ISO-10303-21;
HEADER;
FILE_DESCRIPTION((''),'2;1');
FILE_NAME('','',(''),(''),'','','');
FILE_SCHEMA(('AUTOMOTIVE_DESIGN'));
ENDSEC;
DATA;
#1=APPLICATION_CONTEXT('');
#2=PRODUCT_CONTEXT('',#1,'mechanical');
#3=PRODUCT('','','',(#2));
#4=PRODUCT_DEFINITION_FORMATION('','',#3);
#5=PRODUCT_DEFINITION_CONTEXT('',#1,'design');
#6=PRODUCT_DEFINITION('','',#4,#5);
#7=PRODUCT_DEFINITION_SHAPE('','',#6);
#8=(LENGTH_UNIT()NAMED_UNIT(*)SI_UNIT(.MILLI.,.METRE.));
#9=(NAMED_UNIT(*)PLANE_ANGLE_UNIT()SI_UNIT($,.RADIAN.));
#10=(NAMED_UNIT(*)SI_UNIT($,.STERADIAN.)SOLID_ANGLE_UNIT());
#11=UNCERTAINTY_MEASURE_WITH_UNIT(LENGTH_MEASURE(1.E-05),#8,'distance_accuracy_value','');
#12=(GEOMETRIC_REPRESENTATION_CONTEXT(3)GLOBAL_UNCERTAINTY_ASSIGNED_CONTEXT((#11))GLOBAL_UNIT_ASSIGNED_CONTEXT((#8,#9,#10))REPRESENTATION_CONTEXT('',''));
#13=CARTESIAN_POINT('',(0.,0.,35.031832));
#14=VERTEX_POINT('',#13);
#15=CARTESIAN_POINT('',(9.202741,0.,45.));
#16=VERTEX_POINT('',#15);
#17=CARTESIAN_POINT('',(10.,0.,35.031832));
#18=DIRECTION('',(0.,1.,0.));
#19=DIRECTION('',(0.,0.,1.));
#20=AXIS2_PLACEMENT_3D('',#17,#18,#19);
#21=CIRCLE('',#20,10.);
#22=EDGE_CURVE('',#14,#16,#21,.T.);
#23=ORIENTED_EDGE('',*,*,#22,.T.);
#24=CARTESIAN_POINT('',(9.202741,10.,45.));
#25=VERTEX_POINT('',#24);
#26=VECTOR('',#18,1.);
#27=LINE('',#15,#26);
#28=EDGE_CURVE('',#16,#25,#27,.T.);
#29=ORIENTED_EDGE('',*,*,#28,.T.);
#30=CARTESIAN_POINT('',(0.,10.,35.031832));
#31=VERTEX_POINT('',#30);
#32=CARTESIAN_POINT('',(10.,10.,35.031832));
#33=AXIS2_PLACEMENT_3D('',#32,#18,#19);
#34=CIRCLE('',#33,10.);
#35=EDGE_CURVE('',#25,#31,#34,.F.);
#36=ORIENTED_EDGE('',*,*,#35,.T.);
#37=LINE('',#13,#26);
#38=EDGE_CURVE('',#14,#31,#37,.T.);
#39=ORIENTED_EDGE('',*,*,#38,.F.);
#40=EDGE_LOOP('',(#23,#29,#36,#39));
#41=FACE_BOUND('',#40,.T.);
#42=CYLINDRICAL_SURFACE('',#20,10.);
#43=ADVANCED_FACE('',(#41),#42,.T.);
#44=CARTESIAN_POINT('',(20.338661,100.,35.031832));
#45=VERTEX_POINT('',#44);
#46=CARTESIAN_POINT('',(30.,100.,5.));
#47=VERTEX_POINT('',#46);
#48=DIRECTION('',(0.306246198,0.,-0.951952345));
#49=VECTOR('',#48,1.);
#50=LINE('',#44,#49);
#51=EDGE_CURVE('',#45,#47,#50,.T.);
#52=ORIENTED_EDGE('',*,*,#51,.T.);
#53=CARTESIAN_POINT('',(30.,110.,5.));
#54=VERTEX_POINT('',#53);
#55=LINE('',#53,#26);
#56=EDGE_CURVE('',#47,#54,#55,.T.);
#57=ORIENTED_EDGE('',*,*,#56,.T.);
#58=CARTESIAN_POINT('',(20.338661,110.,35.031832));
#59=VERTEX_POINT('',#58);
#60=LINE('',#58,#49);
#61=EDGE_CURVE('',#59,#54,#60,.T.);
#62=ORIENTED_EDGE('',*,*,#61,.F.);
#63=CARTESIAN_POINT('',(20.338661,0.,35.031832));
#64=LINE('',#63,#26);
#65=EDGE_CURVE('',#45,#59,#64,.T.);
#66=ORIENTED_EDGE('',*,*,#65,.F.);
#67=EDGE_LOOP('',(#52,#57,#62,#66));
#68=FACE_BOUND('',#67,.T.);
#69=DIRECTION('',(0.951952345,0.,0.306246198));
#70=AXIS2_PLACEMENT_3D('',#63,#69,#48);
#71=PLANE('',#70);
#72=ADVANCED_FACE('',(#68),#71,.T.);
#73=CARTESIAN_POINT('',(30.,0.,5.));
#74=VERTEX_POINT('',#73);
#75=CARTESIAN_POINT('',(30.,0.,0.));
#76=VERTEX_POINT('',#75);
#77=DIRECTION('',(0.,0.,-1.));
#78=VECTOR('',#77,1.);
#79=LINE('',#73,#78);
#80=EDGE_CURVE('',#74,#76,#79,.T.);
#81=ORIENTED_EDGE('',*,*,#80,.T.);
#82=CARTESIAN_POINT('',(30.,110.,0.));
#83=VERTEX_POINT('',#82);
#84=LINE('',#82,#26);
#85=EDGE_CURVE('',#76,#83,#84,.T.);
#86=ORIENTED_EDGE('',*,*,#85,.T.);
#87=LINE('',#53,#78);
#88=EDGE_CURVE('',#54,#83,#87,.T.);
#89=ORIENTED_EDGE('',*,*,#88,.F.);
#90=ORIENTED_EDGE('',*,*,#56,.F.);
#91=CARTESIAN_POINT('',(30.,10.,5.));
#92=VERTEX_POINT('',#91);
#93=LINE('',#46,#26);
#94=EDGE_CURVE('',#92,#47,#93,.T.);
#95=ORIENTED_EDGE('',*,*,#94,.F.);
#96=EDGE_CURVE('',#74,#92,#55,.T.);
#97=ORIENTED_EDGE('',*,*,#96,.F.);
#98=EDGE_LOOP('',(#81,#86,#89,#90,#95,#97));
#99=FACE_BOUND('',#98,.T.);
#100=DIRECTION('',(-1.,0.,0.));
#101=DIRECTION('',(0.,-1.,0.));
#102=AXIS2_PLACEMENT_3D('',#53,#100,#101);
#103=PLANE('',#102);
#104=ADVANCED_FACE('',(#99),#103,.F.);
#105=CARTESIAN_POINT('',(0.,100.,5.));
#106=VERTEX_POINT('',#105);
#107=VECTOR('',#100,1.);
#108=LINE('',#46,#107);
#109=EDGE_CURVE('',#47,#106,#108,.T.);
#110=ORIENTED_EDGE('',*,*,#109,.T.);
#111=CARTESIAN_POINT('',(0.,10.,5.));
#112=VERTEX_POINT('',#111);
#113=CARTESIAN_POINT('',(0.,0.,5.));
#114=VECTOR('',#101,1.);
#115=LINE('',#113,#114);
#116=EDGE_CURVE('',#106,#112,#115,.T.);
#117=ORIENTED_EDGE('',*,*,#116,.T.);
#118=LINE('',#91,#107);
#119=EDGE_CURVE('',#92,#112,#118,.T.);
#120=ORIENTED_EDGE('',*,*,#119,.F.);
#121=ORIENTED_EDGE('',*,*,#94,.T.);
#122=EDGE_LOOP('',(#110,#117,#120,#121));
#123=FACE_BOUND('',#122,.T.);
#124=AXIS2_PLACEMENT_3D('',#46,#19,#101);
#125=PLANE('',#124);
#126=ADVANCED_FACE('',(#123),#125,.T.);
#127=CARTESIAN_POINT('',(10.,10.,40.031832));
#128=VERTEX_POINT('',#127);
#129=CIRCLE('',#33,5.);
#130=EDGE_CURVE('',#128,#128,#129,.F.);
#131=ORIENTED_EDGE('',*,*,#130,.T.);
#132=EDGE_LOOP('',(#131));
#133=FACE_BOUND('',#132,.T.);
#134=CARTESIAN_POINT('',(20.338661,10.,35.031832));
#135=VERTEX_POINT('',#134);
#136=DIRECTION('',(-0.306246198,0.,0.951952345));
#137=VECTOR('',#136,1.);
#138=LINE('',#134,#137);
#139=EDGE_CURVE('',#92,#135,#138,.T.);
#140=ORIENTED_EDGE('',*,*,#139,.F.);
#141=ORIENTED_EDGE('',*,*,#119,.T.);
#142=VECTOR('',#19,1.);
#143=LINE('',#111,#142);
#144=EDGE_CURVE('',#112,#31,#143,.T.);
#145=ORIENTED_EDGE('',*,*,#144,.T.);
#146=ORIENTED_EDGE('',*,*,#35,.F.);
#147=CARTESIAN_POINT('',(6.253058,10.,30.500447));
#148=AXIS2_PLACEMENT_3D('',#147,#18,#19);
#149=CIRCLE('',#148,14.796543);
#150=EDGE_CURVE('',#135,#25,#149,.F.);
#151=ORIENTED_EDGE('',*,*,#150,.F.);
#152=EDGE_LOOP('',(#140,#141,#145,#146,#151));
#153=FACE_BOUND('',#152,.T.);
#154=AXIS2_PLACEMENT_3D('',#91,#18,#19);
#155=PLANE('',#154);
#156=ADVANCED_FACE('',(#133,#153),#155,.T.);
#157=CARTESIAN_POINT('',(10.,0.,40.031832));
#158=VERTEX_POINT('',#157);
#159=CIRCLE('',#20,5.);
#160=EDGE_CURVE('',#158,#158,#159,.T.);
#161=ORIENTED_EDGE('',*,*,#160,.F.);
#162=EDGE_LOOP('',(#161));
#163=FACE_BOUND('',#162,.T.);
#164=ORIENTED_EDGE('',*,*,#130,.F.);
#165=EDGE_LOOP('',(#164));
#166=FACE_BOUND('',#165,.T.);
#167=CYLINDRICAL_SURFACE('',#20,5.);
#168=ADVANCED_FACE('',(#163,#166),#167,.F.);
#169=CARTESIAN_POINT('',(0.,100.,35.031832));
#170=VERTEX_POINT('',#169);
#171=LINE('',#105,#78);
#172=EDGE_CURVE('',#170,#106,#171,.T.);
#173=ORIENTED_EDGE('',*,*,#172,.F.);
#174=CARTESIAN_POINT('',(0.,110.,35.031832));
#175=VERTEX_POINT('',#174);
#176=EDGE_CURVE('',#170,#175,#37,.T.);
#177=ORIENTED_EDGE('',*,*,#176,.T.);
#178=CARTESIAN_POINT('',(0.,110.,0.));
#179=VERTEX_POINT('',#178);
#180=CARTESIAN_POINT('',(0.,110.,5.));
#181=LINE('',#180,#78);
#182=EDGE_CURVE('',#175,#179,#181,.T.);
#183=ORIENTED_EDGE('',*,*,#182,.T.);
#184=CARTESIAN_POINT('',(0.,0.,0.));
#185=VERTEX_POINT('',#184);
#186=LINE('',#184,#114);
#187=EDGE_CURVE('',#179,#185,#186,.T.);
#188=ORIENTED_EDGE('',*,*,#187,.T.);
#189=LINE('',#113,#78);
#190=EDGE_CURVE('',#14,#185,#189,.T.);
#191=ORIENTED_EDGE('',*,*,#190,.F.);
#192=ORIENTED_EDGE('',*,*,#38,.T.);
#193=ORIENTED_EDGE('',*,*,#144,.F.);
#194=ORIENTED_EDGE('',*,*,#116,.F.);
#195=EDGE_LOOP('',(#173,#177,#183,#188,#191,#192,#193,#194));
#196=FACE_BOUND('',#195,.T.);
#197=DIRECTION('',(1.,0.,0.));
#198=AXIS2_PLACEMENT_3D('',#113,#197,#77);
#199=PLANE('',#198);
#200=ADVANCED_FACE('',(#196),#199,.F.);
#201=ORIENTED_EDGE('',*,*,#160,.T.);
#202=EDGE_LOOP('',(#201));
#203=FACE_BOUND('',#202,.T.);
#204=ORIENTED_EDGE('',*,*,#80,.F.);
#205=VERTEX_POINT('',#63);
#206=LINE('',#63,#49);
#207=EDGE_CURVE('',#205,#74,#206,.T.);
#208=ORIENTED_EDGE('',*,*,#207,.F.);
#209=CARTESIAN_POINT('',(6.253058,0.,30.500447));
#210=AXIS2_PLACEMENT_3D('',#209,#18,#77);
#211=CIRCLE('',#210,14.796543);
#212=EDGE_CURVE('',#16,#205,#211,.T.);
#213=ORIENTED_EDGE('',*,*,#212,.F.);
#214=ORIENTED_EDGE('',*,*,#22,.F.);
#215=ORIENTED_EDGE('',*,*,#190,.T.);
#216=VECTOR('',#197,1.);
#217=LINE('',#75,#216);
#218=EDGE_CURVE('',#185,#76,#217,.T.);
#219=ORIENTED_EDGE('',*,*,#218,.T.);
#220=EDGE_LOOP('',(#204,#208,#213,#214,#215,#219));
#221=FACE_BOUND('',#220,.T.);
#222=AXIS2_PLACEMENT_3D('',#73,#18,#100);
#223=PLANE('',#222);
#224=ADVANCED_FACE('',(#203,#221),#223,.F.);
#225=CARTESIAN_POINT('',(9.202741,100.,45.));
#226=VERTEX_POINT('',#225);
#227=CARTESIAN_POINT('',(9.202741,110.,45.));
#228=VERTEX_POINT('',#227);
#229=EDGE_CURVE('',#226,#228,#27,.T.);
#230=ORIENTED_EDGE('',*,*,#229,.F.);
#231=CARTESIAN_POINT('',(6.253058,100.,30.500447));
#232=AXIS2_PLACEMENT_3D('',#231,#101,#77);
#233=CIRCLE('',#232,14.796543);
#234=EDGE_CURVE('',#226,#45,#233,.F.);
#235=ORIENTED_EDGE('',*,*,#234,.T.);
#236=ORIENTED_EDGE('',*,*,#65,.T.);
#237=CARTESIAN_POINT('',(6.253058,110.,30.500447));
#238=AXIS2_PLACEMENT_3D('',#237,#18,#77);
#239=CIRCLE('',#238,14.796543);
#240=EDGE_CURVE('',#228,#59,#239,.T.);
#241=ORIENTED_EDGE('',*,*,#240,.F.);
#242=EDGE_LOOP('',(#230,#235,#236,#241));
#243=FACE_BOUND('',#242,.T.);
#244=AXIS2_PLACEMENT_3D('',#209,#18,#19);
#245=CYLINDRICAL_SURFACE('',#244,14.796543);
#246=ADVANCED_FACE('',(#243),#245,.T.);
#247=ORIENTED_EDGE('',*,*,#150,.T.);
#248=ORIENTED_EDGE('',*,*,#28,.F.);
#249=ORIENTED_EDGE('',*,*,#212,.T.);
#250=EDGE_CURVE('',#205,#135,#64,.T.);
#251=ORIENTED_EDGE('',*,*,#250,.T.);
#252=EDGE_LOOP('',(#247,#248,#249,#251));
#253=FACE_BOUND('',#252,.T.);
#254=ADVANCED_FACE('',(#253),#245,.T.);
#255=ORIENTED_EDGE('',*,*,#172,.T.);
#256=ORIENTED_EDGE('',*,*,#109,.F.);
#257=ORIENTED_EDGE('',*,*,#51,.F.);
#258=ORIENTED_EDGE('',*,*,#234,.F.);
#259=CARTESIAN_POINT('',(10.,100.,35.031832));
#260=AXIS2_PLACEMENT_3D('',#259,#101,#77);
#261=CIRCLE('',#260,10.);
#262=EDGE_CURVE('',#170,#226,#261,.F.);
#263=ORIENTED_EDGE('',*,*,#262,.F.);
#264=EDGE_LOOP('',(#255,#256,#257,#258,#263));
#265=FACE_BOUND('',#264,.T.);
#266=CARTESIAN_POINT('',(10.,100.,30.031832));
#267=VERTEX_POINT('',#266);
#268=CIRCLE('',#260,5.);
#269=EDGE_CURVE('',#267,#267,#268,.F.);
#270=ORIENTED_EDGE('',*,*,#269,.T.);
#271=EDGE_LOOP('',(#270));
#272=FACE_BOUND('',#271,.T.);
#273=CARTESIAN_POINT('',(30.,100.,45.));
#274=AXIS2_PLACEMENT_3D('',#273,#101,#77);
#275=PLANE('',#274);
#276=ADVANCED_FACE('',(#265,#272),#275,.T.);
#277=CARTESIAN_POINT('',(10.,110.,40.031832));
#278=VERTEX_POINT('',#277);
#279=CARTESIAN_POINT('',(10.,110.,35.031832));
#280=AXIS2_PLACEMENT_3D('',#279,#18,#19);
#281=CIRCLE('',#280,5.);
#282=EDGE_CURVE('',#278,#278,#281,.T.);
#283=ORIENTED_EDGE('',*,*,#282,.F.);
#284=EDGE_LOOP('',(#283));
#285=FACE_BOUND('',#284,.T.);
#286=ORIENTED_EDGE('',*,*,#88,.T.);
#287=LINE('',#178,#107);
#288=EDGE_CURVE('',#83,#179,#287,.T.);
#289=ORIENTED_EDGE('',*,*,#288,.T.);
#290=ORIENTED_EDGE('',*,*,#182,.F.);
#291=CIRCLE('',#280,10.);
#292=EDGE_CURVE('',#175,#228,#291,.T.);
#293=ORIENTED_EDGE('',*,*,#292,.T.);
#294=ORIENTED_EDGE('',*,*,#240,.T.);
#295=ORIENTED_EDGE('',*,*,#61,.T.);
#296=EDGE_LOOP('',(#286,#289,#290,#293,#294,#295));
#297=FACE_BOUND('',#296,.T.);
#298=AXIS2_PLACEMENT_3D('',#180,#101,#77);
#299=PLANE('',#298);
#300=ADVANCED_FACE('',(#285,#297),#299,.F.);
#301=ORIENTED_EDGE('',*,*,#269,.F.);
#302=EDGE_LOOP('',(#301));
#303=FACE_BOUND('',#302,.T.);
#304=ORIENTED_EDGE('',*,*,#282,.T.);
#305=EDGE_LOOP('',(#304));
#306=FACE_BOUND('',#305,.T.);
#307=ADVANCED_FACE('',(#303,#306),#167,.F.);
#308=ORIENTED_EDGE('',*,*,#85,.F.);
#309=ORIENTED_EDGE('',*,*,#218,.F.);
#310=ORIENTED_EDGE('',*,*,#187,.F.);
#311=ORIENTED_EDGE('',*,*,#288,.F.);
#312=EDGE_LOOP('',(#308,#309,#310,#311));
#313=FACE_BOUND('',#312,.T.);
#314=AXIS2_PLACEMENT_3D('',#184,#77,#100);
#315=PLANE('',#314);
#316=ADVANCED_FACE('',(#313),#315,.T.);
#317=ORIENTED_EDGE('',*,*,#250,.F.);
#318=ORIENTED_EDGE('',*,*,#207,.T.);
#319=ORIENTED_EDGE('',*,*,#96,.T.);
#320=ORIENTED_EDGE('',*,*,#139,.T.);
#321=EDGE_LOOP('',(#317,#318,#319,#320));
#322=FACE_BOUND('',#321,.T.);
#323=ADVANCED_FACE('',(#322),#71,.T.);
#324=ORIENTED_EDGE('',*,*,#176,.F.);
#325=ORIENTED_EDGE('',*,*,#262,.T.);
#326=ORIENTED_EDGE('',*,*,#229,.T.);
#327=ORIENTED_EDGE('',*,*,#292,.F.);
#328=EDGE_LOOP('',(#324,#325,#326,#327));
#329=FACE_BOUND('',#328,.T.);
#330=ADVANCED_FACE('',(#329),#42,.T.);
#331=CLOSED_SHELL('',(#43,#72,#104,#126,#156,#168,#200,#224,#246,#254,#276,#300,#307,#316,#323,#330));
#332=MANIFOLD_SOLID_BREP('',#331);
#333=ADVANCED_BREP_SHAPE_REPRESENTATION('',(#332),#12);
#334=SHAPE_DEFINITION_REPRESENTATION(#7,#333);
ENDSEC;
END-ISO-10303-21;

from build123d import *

# Parameters (mm, degrees)
SKETCH1_W               = 30
SKETCH1_H               = 110
BOSS_EXTRUDE1_DEPTH     = 5
SKETCH3_R               = 5
BOSS_EXTRUDE3_DEPTH     = 110
CUT_EXTRUDE3_DEPTH      = 123.576506721
CUT_EXTRUDE3_DEPTH_BACK = 123.576506721
SKETCH5_W               = 40
SKETCH5_H               = 90


with BuildPart() as part:
    # Sketch1 → Boss-Extrude1 (new body)
    with BuildSketch(Plane.XY):
        with Locations((15, 55)):
            Rectangle(SKETCH1_W, SKETCH1_H)
    extrude(amount=BOSS_EXTRUDE1_DEPTH)

    # Sketch3 → Boss-Extrude3 (add, through all)
    with BuildSketch(Plane(origin=(0, 110, 0), x_dir=(1, 0, 0), z_dir=(0, 1, 0))):
        with BuildLine():
            Line((0, -5), (0, -35.031831765))
            ThreePointArc((0, -35.031831765), (2.65246331, -41.815171989), (9.202740917, -45))
            ThreePointArc((9.202740917, -45), (16.121762832, -41.525252064), (20.338661017, -35.031831765))
            Line((20.338661017, -35.031831765), (30, -5))
            Line((30, -5), (0, -5))
        make_face()
        with Locations(Location((10, -35.031831765, 0), (0, 0, 270))):
            Circle(SKETCH3_R, mode=Mode.SUBTRACT)
    extrude(amount=-BOSS_EXTRUDE3_DEPTH)

    # Sketch5 → Cut-Extrude3 (cut, two sides: drawn at the far end of the back side and taken through both)
    with BuildSketch(Plane(origin=(0, 0, 0), x_dir=(0, 0, -1), z_dir=(1, 0, 0)).offset(-CUT_EXTRUDE3_DEPTH_BACK)):
        with Locations((-25, 55)):
            Rectangle(SKETCH5_W, SKETCH5_H)
    extrude(amount=CUT_EXTRUDE3_DEPTH + CUT_EXTRUDE3_DEPTH_BACK, mode=Mode.SUBTRACT)


solid = part.part
